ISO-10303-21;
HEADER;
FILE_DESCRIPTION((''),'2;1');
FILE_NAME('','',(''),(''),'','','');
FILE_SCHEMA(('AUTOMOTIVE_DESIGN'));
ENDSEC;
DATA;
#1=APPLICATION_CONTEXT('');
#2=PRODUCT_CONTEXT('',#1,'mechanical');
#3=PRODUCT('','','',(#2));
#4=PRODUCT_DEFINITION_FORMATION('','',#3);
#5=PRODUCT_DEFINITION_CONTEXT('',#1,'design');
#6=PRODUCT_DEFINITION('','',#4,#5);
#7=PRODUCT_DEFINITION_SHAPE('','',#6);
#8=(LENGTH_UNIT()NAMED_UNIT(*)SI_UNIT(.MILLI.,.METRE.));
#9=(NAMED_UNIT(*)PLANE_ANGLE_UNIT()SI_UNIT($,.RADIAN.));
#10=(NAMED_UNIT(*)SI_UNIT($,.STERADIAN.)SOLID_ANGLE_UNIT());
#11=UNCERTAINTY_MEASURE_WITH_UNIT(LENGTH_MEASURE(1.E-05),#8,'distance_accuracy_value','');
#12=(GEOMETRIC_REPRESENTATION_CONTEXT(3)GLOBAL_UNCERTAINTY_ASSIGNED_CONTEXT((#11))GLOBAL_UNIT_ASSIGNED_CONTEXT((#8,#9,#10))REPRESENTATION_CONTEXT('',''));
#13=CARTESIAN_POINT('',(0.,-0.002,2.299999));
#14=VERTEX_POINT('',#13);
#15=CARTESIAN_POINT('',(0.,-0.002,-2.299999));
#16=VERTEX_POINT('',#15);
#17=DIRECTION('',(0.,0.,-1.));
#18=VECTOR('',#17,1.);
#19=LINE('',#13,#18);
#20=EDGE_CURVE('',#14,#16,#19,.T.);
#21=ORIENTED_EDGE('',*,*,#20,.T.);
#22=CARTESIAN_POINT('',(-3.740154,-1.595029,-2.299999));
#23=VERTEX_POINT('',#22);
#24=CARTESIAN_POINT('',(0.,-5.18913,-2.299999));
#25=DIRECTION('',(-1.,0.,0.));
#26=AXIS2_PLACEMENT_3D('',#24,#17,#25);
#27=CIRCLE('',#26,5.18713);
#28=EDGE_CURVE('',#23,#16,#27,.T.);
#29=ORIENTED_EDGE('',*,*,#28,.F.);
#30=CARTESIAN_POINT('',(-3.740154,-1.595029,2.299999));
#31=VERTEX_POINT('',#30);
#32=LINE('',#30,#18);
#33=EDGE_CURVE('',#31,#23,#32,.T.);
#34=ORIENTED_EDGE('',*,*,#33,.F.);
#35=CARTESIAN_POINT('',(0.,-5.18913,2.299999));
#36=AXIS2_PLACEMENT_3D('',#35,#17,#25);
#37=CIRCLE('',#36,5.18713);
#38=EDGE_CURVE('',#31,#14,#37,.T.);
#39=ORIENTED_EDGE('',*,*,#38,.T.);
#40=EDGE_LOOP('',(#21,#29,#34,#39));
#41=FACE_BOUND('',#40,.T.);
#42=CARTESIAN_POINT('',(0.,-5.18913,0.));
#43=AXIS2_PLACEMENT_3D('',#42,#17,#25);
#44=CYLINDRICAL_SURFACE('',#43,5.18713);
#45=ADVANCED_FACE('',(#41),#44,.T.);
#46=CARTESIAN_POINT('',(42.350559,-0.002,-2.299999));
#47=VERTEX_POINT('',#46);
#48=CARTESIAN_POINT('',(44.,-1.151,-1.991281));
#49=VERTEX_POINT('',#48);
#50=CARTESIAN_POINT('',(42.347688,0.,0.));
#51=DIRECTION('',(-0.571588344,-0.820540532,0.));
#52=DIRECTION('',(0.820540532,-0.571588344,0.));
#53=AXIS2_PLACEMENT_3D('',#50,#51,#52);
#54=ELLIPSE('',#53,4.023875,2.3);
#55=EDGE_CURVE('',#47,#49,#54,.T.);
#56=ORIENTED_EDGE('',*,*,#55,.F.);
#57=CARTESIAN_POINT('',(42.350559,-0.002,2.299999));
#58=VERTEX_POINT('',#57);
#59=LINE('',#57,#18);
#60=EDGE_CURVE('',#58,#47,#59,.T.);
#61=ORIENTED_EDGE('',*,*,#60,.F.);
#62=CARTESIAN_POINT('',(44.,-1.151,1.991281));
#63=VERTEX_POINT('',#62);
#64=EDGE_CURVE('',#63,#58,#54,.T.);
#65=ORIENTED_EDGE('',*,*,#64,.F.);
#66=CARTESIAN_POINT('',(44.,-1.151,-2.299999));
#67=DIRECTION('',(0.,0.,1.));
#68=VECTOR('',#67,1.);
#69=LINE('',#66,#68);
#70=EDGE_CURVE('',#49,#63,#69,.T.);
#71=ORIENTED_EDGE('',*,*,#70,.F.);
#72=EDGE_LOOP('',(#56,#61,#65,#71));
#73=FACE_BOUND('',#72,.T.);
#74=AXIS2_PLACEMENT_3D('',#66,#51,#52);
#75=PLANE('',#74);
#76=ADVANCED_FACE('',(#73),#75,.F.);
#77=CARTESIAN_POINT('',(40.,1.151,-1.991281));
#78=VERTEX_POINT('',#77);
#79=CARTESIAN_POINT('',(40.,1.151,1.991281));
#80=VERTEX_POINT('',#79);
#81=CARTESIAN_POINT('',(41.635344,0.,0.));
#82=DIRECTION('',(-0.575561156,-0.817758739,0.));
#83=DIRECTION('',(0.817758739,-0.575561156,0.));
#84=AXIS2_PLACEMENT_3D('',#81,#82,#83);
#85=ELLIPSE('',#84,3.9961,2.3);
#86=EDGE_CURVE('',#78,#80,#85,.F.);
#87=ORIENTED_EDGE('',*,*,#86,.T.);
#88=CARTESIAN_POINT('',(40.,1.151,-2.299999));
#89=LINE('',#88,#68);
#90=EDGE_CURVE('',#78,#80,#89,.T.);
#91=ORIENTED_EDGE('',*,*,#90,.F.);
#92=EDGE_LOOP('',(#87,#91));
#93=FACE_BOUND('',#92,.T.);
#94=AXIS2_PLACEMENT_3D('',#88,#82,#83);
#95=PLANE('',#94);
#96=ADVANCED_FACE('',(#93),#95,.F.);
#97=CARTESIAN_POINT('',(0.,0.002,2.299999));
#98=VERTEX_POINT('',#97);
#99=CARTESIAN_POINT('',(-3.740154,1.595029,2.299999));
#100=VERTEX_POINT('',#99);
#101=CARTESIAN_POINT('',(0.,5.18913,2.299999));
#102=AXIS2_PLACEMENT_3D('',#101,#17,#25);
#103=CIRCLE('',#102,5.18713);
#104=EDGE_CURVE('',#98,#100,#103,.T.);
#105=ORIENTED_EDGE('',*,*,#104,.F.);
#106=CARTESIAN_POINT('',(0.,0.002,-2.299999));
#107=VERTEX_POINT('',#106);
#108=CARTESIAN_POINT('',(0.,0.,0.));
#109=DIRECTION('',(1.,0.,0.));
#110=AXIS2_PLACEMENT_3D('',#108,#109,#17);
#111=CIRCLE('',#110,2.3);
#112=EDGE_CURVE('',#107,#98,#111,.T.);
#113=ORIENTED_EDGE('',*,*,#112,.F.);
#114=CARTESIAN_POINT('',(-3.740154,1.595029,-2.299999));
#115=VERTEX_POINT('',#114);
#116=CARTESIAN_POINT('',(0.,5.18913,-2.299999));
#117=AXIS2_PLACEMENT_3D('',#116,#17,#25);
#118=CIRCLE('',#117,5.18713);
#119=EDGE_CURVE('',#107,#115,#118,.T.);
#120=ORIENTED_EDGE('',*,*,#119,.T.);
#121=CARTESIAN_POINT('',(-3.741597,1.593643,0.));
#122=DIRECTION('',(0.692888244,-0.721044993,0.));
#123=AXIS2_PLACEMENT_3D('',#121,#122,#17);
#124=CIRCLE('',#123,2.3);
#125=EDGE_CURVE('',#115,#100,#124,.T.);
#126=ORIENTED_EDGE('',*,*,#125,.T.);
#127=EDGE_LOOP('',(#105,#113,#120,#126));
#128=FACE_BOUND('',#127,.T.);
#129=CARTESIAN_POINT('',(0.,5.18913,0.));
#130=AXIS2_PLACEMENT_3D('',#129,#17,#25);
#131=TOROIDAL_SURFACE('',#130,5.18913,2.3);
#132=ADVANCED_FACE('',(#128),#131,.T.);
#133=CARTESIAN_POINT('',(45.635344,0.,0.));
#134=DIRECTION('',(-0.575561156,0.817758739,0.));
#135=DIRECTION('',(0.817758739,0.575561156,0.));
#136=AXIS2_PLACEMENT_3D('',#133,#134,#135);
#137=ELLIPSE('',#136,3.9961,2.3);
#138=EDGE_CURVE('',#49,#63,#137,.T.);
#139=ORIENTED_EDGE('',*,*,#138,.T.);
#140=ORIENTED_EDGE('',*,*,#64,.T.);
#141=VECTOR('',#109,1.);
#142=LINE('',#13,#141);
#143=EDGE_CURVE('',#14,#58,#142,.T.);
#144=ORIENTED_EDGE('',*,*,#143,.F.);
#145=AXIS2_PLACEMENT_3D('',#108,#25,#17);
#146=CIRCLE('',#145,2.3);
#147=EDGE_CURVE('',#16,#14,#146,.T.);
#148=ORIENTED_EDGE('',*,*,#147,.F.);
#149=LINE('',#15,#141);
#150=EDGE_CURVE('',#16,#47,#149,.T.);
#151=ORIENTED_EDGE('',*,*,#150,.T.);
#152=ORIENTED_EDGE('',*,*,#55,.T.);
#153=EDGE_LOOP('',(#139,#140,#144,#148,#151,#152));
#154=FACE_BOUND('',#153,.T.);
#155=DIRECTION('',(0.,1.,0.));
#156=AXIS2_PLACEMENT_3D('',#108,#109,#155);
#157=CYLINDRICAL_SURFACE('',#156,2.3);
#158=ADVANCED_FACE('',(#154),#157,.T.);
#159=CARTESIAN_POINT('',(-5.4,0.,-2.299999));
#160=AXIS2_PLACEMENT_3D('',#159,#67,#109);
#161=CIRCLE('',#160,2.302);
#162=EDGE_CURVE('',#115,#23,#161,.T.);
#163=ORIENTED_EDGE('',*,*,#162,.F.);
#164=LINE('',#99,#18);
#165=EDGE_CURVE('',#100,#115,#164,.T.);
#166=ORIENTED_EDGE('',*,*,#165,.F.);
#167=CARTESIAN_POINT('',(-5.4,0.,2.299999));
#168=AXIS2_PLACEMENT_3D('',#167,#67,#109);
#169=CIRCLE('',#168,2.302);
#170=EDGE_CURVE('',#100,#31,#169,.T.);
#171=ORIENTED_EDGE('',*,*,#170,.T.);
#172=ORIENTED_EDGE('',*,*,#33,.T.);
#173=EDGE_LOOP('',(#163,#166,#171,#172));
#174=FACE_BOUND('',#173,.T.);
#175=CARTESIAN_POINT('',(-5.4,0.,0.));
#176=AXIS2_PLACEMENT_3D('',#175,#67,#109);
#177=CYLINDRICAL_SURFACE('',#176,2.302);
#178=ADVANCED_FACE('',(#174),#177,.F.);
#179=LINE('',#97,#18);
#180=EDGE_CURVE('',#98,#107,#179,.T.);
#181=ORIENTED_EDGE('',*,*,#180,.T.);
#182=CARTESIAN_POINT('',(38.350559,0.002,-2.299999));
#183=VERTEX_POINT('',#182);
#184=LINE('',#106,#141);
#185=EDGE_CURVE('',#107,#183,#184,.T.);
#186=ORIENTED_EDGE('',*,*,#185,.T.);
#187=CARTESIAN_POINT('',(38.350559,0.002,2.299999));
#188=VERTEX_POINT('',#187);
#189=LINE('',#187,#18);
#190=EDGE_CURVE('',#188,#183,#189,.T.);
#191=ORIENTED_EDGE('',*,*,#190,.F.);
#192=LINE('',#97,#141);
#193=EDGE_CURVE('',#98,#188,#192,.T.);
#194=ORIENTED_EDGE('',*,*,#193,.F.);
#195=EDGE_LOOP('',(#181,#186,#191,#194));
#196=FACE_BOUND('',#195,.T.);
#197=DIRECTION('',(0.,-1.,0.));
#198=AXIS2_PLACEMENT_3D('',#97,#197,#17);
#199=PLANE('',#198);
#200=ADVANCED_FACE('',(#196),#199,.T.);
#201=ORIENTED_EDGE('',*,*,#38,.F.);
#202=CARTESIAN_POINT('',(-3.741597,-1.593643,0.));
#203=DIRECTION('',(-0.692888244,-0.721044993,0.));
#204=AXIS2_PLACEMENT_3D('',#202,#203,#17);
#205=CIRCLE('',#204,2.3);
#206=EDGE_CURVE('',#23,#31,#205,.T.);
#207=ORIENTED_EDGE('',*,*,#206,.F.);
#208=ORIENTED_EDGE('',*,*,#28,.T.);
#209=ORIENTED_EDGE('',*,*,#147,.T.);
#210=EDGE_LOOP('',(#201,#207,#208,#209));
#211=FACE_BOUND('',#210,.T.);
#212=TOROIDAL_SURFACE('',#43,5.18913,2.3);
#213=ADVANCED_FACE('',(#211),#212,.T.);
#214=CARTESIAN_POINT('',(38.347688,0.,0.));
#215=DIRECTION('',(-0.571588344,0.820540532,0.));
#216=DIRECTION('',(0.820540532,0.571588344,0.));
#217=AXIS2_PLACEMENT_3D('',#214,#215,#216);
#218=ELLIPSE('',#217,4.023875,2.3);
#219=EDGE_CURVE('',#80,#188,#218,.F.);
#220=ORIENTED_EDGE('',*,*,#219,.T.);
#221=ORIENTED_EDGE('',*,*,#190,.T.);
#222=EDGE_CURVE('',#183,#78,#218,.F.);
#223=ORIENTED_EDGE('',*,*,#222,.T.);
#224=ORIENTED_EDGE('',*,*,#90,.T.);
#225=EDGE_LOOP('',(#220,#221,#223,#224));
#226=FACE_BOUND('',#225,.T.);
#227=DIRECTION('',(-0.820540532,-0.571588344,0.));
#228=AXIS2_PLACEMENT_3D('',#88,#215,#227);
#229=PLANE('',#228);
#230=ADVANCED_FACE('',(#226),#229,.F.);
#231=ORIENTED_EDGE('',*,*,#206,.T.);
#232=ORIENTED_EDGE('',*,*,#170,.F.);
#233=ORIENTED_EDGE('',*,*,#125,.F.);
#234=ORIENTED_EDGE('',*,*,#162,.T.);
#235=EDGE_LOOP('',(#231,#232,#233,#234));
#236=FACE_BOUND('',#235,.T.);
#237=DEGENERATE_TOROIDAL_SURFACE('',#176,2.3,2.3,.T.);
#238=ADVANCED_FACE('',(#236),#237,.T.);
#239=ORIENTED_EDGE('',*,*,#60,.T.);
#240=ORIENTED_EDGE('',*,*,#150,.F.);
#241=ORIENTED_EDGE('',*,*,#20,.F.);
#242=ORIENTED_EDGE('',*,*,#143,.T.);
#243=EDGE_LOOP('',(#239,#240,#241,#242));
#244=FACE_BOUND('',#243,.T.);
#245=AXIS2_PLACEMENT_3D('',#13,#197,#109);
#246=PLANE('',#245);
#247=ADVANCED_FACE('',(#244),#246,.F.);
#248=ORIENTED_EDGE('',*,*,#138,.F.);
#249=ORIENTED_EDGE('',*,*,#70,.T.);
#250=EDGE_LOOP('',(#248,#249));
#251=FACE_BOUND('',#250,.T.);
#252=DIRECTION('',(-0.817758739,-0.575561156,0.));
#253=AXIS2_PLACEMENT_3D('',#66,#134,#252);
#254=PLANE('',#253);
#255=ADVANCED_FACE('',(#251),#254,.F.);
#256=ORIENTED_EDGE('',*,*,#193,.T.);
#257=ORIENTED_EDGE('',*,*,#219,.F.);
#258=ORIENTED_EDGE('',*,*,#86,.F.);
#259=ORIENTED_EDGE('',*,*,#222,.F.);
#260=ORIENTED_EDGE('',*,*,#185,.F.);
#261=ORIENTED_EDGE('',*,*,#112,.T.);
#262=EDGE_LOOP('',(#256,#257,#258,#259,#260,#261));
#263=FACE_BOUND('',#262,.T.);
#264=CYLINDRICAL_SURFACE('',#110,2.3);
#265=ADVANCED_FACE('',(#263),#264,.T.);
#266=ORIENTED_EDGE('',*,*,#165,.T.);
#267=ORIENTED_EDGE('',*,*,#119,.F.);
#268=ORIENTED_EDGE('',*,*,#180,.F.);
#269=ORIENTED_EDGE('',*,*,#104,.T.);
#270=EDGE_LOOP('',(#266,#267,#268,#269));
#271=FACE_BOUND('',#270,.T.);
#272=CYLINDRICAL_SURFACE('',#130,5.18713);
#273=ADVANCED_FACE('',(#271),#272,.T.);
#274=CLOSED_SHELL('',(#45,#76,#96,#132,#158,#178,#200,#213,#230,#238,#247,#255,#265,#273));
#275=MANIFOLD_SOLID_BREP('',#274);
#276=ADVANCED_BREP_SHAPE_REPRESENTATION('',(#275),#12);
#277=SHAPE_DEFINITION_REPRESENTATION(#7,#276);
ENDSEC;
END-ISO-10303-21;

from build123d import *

# Parameters (mm, degrees)
CONECUT_DEPTH      = 45.299548501
CONECUT_DEPTH_BACK = 45.299548501


with BuildPart() as part:
    # Body: sweep along a path in PathSke
    with BuildLine(Plane.XY) as body_path:
        Line((40, 2.3), (0, 2.3))
        ThreePointArc((0, 2.3), (-1.132140619, 2.531061156), (-2.083193033, 3.187285922))
        ThreePointArc((-2.083193033, 3.187285922), (-10, 0), (-2.083193033, -3.187285922))
        ThreePointArc((-2.083193033, -3.187285922), (-1.132140619, -2.531061156), (0, -2.3))
        Line((0, -2.3), (44, -2.3))
    # SectionSke → Body (sweep)
    with BuildSketch(Plane(origin=(40, 0, 0), x_dir=(0, 0, -1), z_dir=(1, 0, 0))):
        with BuildLine():
            Line((-2.29999913, 0.002), (2.29999913, 0.002))
            ThreePointArc((2.29999913, 0.002), (0, 2.3), (-2.29999913, 0.002))
        make_face()
    sweep(path=body_path.line)

    # ConeCutSke → ConeCut (cut, two sides: drawn at the far end of the back side and taken through both)
    with BuildSketch(Plane.XY.offset(-CONECUT_DEPTH_BACK)):
        Polygon((40, 1.151), (38.353289882, 2.31), (44.01, 2.31), (44.01, -2.31), (42.353289882, -2.31), (44, -1.151), (42.347688222, 0), (38.347688222, 0), align=None)
    extrude(amount=CONECUT_DEPTH + CONECUT_DEPTH_BACK, mode=Mode.SUBTRACT)


solid = part.part
